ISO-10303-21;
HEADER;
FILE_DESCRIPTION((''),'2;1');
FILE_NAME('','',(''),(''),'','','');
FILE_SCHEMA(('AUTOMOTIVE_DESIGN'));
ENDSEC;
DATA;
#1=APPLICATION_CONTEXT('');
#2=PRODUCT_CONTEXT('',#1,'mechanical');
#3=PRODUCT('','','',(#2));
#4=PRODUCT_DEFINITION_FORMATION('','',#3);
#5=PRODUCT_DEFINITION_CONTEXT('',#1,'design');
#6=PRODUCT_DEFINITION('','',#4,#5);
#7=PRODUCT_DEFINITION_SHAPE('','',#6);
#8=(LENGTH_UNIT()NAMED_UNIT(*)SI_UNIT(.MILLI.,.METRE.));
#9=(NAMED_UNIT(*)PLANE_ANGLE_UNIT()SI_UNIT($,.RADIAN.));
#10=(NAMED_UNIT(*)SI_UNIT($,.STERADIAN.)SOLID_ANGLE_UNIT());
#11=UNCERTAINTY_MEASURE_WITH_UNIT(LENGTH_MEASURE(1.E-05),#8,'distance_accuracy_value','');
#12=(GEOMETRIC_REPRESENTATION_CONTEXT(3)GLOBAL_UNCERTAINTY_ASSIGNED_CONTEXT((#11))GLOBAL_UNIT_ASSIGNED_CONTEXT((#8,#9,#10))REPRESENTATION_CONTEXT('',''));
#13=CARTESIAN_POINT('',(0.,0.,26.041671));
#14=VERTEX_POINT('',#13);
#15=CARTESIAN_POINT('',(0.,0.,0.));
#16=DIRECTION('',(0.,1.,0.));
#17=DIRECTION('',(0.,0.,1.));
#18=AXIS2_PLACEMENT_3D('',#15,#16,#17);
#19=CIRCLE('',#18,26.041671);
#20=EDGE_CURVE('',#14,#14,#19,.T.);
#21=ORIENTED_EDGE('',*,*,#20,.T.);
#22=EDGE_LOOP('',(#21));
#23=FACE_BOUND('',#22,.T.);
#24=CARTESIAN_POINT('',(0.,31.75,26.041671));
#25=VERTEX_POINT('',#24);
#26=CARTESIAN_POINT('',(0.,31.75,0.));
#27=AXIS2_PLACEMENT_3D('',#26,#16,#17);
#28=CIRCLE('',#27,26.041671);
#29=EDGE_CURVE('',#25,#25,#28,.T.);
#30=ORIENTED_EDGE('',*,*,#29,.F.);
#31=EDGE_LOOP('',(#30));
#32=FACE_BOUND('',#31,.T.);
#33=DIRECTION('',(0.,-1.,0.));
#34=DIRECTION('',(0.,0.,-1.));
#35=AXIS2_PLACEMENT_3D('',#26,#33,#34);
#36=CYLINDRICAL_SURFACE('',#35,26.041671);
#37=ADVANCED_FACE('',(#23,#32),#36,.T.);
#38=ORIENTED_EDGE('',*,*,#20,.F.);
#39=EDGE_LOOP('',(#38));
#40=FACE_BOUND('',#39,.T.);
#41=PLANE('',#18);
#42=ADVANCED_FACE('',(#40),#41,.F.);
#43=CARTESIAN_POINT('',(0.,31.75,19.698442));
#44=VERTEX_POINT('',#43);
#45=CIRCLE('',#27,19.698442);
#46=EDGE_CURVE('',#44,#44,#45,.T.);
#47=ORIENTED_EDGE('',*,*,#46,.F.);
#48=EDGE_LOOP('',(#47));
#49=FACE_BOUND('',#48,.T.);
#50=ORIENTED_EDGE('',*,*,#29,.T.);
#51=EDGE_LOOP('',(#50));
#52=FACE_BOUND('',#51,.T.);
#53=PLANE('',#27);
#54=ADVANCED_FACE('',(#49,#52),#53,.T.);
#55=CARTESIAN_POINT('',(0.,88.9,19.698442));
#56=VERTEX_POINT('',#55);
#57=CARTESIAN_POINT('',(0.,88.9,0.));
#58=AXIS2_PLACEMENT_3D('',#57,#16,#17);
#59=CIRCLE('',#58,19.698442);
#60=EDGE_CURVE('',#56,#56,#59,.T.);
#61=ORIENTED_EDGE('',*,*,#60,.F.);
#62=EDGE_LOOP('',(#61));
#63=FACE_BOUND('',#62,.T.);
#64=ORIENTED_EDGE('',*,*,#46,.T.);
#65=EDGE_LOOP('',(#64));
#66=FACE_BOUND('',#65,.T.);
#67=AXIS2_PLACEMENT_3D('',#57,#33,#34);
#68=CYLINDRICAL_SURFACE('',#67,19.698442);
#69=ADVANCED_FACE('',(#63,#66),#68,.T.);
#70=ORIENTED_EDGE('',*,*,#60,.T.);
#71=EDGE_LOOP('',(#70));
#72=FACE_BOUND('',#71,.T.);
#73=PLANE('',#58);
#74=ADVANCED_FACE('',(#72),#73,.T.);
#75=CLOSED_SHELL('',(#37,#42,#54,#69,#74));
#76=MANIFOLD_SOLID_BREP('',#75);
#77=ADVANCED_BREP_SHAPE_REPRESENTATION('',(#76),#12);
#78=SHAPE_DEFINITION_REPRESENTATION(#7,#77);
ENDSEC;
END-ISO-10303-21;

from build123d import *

# Parameters (mm, degrees)
SKETCH4_R      = 26.041670687
EXTRUDE3_DEPTH = 31.75
SKETCH6_R      = 19.698441596
EXTRUDE4_DEPTH = 57.15


with BuildPart() as part:
    # Sketch4 → Extrude3 (new body)
    with BuildSketch(Plane(origin=(0, 0, 0), x_dir=(1, 0, 0), z_dir=(0, 1, 0))):
        with Locations(Location((0, 0, 0), (0, 0, 270))):
            Circle(SKETCH4_R)
    extrude(amount=EXTRUDE3_DEPTH)

    # Sketch6 → Extrude4 (add)
    with BuildSketch(Plane(origin=(0, 31.75, 0), x_dir=(1, 0, 0), z_dir=(0, 1, 0))):
        with Locations(Location((0, 0, 0), (0, 0, 270))):
            Circle(SKETCH6_R)
    extrude(amount=EXTRUDE4_DEPTH)


solid = part.part
